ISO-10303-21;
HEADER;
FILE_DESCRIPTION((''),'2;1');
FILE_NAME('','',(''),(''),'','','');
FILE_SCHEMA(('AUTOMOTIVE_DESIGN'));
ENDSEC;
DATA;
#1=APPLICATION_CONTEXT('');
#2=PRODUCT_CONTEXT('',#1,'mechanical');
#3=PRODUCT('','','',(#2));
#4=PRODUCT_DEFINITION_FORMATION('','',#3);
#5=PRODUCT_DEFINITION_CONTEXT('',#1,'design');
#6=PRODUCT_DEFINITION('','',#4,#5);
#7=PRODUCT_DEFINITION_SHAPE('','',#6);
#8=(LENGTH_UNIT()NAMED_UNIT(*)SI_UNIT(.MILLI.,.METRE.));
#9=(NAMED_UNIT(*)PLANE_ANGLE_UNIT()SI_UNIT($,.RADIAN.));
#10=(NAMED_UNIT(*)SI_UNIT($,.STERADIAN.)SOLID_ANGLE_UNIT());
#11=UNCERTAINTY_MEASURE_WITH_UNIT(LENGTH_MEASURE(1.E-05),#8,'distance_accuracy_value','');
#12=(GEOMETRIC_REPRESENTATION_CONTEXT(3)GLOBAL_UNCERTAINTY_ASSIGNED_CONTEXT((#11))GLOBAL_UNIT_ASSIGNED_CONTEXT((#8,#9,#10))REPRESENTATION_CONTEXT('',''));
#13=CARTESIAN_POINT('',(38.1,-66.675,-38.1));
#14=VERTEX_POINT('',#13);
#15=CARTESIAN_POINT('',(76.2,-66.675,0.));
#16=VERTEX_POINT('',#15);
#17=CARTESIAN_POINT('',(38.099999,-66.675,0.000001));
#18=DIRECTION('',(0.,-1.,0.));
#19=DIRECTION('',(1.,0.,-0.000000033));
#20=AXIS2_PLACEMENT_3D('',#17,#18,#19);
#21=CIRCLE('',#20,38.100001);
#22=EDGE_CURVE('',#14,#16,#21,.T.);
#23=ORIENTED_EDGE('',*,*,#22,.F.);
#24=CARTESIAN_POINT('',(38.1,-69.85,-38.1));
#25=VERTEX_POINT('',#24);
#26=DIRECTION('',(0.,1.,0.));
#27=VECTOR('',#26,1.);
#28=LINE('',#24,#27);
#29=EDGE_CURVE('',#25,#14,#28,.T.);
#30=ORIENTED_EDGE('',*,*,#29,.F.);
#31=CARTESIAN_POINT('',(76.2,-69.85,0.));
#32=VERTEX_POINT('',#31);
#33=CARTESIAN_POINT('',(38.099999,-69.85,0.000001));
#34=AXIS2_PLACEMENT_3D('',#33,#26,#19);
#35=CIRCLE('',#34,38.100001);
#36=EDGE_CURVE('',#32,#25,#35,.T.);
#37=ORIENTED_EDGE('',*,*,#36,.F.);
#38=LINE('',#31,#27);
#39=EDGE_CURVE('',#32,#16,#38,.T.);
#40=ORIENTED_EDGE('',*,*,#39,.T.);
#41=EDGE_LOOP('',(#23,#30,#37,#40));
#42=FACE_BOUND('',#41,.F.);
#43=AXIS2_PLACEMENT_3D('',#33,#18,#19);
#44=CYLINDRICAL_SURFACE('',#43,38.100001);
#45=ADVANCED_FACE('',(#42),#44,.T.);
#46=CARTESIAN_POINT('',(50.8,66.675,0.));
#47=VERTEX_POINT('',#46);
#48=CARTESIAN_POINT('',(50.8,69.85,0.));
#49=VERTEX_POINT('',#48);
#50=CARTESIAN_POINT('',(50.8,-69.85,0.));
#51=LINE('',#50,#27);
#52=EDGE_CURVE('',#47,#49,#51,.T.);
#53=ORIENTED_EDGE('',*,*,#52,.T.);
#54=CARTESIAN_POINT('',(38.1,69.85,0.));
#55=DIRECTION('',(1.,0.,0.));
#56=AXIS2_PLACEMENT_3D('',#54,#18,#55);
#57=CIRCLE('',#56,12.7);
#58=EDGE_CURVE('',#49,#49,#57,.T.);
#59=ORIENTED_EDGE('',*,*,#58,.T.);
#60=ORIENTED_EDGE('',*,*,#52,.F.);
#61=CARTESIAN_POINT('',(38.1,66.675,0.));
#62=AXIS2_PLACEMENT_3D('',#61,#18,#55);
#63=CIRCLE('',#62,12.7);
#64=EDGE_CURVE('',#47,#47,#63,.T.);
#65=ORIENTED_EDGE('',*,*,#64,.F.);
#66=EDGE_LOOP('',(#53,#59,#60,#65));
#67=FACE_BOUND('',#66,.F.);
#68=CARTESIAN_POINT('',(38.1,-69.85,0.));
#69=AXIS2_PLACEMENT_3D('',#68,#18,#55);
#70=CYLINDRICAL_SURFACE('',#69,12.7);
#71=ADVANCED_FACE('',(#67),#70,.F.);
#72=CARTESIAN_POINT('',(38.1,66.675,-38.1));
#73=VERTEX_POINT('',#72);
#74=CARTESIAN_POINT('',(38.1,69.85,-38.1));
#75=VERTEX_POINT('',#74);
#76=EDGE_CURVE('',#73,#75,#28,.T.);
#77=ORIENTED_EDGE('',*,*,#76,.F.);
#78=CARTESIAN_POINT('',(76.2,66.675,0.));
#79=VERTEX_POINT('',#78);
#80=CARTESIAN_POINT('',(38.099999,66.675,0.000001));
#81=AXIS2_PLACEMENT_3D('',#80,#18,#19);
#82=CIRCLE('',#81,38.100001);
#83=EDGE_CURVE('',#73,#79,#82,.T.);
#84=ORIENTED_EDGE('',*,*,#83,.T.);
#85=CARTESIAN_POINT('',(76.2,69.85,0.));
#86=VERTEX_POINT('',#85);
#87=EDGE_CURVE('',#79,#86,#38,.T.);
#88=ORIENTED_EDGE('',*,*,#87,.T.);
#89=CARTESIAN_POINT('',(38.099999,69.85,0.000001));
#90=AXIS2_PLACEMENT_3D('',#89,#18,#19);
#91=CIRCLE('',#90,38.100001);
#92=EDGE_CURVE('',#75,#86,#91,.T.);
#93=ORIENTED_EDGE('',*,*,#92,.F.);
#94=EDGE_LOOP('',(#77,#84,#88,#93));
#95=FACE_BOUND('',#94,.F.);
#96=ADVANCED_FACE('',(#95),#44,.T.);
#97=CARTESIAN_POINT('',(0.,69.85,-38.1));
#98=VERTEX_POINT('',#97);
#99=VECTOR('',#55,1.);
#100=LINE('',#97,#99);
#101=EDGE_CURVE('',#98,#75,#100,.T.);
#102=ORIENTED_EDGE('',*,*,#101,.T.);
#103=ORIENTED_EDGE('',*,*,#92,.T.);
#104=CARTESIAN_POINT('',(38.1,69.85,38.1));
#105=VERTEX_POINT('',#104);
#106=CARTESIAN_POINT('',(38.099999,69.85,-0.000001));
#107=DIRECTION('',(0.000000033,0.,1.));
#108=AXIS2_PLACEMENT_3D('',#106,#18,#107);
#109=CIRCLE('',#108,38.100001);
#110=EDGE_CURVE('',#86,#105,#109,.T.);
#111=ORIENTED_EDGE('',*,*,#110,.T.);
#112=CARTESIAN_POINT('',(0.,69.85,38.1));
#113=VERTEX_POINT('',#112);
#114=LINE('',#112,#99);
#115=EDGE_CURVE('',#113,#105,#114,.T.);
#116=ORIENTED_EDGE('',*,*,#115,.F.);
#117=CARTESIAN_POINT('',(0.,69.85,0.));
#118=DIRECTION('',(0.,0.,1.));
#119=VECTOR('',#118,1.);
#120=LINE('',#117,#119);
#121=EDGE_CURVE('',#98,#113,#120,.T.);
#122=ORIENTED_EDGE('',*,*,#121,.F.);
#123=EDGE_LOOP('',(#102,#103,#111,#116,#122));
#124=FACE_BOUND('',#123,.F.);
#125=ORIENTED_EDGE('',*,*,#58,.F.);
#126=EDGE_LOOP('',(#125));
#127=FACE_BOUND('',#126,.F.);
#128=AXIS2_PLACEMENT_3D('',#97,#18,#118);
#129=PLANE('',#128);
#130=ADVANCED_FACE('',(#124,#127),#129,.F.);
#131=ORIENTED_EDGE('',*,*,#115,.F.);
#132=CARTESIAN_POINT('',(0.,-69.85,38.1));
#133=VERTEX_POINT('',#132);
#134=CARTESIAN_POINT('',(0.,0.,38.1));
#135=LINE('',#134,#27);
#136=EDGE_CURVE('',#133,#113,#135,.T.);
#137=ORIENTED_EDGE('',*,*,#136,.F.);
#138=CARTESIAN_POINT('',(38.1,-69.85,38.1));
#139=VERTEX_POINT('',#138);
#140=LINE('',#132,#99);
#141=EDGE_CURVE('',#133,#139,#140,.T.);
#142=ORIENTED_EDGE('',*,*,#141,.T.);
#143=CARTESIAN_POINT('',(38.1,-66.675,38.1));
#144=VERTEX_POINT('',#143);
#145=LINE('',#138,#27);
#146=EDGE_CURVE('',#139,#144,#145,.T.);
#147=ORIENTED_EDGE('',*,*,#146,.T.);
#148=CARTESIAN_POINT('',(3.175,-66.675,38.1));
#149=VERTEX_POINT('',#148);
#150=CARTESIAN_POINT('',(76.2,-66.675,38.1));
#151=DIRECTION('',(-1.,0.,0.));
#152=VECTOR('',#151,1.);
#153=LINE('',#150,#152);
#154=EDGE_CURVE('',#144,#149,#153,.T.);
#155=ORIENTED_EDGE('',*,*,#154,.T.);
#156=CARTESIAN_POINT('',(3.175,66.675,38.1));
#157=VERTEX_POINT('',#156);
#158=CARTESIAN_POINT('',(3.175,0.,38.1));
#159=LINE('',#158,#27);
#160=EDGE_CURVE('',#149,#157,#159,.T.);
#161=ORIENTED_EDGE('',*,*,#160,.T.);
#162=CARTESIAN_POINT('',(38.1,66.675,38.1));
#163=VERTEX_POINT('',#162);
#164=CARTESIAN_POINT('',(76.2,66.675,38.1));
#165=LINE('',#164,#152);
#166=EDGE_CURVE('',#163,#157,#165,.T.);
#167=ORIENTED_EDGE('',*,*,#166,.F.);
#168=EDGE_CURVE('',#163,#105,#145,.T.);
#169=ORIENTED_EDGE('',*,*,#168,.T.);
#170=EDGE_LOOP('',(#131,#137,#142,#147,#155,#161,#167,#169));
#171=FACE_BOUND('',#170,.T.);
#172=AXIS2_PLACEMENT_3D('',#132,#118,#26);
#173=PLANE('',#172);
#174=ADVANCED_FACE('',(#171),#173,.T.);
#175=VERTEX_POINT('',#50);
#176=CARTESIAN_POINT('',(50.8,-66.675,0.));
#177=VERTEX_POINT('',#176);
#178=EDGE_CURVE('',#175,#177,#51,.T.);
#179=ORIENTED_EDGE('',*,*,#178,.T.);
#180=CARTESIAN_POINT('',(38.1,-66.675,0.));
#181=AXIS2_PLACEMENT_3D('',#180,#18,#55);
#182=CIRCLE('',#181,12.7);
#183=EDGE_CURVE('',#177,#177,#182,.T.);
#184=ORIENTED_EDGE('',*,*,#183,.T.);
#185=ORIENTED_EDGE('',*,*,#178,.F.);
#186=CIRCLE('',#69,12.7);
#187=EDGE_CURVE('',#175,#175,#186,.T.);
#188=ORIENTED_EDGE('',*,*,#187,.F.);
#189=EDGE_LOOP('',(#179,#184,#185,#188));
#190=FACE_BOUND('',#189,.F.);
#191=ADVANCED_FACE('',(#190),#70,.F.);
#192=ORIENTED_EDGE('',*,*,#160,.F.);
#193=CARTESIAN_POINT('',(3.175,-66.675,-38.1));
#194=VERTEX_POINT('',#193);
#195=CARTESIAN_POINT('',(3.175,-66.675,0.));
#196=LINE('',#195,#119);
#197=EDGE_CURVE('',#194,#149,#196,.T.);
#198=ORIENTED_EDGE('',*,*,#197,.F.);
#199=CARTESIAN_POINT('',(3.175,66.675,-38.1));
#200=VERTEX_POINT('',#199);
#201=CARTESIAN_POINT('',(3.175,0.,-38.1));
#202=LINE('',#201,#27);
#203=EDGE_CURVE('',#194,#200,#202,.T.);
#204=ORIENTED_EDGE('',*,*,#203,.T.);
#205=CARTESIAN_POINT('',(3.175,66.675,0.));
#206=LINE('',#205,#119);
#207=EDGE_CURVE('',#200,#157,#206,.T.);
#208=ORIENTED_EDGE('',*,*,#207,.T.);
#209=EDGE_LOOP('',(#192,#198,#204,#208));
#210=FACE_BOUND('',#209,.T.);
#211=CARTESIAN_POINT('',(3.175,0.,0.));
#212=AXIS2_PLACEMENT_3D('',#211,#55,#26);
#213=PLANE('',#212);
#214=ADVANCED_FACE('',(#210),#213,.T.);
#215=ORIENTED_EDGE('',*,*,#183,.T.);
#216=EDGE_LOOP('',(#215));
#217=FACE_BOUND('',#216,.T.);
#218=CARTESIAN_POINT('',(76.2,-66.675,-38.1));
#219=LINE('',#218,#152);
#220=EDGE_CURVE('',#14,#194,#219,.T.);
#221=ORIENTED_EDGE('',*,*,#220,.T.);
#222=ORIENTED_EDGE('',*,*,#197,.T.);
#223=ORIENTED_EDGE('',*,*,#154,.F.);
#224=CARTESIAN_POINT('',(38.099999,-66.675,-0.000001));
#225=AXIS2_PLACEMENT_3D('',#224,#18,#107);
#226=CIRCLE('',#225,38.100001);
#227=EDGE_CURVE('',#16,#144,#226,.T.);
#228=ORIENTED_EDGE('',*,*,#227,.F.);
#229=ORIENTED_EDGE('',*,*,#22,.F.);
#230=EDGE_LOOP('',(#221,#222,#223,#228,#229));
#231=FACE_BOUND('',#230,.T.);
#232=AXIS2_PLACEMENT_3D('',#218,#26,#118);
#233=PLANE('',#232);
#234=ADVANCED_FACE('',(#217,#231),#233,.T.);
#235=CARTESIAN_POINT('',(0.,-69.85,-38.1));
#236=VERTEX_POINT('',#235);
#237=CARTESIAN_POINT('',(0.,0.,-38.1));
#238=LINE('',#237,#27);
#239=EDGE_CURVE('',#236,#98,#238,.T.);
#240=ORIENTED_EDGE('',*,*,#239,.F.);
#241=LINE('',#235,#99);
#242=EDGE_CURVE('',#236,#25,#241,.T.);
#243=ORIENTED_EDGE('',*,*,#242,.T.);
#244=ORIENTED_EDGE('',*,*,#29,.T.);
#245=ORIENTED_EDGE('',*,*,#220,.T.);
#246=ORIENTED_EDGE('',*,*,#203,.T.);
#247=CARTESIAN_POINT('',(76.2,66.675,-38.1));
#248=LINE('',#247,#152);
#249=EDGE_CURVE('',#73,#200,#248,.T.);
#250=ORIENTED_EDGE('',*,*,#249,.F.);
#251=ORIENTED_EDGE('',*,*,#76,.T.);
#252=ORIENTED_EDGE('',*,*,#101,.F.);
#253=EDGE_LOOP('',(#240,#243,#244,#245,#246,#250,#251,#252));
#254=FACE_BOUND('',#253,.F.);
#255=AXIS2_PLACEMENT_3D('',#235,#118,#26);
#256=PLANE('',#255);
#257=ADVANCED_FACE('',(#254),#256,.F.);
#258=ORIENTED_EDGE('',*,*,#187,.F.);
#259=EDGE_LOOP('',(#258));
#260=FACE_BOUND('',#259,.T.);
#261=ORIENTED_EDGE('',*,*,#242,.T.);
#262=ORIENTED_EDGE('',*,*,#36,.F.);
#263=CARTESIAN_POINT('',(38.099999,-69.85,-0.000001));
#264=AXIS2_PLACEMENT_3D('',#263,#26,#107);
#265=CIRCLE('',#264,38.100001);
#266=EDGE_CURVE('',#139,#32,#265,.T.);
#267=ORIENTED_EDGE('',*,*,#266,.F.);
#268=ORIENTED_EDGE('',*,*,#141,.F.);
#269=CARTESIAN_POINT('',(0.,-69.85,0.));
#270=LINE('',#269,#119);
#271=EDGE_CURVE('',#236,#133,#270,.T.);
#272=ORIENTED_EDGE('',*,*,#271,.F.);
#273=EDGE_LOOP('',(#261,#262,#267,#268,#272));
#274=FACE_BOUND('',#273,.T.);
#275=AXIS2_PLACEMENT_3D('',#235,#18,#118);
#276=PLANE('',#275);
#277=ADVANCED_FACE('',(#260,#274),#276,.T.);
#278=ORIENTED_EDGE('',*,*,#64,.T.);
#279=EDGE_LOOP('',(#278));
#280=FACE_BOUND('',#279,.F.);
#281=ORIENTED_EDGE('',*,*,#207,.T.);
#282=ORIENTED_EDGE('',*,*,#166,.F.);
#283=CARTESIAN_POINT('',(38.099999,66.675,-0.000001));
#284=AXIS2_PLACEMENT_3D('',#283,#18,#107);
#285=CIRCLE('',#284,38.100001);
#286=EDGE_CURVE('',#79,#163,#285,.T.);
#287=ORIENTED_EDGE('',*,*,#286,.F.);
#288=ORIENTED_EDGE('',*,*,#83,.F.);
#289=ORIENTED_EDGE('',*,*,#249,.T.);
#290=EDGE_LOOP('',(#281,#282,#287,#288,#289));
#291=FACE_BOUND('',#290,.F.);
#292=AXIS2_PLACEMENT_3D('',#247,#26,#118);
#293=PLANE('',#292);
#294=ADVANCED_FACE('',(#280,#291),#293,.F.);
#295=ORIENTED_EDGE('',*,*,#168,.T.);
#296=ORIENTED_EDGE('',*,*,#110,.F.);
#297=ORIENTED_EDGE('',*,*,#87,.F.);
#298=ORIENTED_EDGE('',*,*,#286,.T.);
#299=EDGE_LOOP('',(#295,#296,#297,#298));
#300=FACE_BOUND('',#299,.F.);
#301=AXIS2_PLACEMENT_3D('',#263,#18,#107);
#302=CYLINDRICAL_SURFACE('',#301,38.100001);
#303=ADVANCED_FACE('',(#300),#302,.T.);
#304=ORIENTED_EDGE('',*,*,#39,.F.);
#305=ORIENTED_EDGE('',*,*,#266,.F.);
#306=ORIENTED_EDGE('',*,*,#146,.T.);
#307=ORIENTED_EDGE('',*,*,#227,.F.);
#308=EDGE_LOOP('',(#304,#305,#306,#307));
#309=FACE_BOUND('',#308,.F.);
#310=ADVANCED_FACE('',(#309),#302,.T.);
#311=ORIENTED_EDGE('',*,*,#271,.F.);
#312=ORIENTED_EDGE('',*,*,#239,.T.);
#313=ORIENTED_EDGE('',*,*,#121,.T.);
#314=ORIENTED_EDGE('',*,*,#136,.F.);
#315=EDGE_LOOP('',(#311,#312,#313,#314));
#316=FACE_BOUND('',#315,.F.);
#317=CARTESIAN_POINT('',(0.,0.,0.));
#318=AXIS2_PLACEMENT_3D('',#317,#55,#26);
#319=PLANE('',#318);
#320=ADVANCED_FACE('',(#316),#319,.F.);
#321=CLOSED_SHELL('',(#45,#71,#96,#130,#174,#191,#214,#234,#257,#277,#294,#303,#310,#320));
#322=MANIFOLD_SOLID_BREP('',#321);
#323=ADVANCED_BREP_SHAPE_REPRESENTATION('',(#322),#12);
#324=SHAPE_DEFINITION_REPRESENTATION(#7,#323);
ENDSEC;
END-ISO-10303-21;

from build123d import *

# Parameters (mm, degrees)
F0_W     = 139.7
F0_H     = 76.2
F1_DEPTH = 76.2
F2_W     = 133.35
F2_H     = 76.2
F3_DEPTH = 73.025
F4_R     = 12.7
F5_DEPTH = 171.196


with BuildPart() as f1:
    # F0 (on Right) → F1 (new body)
    with BuildSketch(Plane.YZ):
        Rectangle(F0_W, F0_H)
    extrude(amount=F1_DEPTH)

    # F2 (on face) → F3 (cut)
    with BuildSketch(Plane.YZ.offset(76.2)):
        Rectangle(F2_W, F2_H)
    extrude(amount=-F3_DEPTH, mode=Mode.SUBTRACT)

    # F4 (on face) → F5 (cut)
    with BuildSketch(Plane.XZ.offset(69.85)):
        with BuildLine():
            ThreePointArc((76.2, 0), (65.040768, -26.940768), (38.1, -38.1))
            Line((38.1, -38.1), (76.2, -38.1))
            Line((76.2, -38.1), (76.2, 0))
        make_face()
        with BuildLine():
            ThreePointArc((38.1, 38.1), (65.040768, 26.940768), (76.2, 0))
            Line((76.2, 0), (76.2, 38.1))
            Line((76.2, 38.1), (38.1, 38.1))
        make_face()
        with Locations((38.1, 0)):
            Circle(F4_R)
    extrude(amount=-F5_DEPTH, mode=Mode.SUBTRACT)


solid = f1.part
